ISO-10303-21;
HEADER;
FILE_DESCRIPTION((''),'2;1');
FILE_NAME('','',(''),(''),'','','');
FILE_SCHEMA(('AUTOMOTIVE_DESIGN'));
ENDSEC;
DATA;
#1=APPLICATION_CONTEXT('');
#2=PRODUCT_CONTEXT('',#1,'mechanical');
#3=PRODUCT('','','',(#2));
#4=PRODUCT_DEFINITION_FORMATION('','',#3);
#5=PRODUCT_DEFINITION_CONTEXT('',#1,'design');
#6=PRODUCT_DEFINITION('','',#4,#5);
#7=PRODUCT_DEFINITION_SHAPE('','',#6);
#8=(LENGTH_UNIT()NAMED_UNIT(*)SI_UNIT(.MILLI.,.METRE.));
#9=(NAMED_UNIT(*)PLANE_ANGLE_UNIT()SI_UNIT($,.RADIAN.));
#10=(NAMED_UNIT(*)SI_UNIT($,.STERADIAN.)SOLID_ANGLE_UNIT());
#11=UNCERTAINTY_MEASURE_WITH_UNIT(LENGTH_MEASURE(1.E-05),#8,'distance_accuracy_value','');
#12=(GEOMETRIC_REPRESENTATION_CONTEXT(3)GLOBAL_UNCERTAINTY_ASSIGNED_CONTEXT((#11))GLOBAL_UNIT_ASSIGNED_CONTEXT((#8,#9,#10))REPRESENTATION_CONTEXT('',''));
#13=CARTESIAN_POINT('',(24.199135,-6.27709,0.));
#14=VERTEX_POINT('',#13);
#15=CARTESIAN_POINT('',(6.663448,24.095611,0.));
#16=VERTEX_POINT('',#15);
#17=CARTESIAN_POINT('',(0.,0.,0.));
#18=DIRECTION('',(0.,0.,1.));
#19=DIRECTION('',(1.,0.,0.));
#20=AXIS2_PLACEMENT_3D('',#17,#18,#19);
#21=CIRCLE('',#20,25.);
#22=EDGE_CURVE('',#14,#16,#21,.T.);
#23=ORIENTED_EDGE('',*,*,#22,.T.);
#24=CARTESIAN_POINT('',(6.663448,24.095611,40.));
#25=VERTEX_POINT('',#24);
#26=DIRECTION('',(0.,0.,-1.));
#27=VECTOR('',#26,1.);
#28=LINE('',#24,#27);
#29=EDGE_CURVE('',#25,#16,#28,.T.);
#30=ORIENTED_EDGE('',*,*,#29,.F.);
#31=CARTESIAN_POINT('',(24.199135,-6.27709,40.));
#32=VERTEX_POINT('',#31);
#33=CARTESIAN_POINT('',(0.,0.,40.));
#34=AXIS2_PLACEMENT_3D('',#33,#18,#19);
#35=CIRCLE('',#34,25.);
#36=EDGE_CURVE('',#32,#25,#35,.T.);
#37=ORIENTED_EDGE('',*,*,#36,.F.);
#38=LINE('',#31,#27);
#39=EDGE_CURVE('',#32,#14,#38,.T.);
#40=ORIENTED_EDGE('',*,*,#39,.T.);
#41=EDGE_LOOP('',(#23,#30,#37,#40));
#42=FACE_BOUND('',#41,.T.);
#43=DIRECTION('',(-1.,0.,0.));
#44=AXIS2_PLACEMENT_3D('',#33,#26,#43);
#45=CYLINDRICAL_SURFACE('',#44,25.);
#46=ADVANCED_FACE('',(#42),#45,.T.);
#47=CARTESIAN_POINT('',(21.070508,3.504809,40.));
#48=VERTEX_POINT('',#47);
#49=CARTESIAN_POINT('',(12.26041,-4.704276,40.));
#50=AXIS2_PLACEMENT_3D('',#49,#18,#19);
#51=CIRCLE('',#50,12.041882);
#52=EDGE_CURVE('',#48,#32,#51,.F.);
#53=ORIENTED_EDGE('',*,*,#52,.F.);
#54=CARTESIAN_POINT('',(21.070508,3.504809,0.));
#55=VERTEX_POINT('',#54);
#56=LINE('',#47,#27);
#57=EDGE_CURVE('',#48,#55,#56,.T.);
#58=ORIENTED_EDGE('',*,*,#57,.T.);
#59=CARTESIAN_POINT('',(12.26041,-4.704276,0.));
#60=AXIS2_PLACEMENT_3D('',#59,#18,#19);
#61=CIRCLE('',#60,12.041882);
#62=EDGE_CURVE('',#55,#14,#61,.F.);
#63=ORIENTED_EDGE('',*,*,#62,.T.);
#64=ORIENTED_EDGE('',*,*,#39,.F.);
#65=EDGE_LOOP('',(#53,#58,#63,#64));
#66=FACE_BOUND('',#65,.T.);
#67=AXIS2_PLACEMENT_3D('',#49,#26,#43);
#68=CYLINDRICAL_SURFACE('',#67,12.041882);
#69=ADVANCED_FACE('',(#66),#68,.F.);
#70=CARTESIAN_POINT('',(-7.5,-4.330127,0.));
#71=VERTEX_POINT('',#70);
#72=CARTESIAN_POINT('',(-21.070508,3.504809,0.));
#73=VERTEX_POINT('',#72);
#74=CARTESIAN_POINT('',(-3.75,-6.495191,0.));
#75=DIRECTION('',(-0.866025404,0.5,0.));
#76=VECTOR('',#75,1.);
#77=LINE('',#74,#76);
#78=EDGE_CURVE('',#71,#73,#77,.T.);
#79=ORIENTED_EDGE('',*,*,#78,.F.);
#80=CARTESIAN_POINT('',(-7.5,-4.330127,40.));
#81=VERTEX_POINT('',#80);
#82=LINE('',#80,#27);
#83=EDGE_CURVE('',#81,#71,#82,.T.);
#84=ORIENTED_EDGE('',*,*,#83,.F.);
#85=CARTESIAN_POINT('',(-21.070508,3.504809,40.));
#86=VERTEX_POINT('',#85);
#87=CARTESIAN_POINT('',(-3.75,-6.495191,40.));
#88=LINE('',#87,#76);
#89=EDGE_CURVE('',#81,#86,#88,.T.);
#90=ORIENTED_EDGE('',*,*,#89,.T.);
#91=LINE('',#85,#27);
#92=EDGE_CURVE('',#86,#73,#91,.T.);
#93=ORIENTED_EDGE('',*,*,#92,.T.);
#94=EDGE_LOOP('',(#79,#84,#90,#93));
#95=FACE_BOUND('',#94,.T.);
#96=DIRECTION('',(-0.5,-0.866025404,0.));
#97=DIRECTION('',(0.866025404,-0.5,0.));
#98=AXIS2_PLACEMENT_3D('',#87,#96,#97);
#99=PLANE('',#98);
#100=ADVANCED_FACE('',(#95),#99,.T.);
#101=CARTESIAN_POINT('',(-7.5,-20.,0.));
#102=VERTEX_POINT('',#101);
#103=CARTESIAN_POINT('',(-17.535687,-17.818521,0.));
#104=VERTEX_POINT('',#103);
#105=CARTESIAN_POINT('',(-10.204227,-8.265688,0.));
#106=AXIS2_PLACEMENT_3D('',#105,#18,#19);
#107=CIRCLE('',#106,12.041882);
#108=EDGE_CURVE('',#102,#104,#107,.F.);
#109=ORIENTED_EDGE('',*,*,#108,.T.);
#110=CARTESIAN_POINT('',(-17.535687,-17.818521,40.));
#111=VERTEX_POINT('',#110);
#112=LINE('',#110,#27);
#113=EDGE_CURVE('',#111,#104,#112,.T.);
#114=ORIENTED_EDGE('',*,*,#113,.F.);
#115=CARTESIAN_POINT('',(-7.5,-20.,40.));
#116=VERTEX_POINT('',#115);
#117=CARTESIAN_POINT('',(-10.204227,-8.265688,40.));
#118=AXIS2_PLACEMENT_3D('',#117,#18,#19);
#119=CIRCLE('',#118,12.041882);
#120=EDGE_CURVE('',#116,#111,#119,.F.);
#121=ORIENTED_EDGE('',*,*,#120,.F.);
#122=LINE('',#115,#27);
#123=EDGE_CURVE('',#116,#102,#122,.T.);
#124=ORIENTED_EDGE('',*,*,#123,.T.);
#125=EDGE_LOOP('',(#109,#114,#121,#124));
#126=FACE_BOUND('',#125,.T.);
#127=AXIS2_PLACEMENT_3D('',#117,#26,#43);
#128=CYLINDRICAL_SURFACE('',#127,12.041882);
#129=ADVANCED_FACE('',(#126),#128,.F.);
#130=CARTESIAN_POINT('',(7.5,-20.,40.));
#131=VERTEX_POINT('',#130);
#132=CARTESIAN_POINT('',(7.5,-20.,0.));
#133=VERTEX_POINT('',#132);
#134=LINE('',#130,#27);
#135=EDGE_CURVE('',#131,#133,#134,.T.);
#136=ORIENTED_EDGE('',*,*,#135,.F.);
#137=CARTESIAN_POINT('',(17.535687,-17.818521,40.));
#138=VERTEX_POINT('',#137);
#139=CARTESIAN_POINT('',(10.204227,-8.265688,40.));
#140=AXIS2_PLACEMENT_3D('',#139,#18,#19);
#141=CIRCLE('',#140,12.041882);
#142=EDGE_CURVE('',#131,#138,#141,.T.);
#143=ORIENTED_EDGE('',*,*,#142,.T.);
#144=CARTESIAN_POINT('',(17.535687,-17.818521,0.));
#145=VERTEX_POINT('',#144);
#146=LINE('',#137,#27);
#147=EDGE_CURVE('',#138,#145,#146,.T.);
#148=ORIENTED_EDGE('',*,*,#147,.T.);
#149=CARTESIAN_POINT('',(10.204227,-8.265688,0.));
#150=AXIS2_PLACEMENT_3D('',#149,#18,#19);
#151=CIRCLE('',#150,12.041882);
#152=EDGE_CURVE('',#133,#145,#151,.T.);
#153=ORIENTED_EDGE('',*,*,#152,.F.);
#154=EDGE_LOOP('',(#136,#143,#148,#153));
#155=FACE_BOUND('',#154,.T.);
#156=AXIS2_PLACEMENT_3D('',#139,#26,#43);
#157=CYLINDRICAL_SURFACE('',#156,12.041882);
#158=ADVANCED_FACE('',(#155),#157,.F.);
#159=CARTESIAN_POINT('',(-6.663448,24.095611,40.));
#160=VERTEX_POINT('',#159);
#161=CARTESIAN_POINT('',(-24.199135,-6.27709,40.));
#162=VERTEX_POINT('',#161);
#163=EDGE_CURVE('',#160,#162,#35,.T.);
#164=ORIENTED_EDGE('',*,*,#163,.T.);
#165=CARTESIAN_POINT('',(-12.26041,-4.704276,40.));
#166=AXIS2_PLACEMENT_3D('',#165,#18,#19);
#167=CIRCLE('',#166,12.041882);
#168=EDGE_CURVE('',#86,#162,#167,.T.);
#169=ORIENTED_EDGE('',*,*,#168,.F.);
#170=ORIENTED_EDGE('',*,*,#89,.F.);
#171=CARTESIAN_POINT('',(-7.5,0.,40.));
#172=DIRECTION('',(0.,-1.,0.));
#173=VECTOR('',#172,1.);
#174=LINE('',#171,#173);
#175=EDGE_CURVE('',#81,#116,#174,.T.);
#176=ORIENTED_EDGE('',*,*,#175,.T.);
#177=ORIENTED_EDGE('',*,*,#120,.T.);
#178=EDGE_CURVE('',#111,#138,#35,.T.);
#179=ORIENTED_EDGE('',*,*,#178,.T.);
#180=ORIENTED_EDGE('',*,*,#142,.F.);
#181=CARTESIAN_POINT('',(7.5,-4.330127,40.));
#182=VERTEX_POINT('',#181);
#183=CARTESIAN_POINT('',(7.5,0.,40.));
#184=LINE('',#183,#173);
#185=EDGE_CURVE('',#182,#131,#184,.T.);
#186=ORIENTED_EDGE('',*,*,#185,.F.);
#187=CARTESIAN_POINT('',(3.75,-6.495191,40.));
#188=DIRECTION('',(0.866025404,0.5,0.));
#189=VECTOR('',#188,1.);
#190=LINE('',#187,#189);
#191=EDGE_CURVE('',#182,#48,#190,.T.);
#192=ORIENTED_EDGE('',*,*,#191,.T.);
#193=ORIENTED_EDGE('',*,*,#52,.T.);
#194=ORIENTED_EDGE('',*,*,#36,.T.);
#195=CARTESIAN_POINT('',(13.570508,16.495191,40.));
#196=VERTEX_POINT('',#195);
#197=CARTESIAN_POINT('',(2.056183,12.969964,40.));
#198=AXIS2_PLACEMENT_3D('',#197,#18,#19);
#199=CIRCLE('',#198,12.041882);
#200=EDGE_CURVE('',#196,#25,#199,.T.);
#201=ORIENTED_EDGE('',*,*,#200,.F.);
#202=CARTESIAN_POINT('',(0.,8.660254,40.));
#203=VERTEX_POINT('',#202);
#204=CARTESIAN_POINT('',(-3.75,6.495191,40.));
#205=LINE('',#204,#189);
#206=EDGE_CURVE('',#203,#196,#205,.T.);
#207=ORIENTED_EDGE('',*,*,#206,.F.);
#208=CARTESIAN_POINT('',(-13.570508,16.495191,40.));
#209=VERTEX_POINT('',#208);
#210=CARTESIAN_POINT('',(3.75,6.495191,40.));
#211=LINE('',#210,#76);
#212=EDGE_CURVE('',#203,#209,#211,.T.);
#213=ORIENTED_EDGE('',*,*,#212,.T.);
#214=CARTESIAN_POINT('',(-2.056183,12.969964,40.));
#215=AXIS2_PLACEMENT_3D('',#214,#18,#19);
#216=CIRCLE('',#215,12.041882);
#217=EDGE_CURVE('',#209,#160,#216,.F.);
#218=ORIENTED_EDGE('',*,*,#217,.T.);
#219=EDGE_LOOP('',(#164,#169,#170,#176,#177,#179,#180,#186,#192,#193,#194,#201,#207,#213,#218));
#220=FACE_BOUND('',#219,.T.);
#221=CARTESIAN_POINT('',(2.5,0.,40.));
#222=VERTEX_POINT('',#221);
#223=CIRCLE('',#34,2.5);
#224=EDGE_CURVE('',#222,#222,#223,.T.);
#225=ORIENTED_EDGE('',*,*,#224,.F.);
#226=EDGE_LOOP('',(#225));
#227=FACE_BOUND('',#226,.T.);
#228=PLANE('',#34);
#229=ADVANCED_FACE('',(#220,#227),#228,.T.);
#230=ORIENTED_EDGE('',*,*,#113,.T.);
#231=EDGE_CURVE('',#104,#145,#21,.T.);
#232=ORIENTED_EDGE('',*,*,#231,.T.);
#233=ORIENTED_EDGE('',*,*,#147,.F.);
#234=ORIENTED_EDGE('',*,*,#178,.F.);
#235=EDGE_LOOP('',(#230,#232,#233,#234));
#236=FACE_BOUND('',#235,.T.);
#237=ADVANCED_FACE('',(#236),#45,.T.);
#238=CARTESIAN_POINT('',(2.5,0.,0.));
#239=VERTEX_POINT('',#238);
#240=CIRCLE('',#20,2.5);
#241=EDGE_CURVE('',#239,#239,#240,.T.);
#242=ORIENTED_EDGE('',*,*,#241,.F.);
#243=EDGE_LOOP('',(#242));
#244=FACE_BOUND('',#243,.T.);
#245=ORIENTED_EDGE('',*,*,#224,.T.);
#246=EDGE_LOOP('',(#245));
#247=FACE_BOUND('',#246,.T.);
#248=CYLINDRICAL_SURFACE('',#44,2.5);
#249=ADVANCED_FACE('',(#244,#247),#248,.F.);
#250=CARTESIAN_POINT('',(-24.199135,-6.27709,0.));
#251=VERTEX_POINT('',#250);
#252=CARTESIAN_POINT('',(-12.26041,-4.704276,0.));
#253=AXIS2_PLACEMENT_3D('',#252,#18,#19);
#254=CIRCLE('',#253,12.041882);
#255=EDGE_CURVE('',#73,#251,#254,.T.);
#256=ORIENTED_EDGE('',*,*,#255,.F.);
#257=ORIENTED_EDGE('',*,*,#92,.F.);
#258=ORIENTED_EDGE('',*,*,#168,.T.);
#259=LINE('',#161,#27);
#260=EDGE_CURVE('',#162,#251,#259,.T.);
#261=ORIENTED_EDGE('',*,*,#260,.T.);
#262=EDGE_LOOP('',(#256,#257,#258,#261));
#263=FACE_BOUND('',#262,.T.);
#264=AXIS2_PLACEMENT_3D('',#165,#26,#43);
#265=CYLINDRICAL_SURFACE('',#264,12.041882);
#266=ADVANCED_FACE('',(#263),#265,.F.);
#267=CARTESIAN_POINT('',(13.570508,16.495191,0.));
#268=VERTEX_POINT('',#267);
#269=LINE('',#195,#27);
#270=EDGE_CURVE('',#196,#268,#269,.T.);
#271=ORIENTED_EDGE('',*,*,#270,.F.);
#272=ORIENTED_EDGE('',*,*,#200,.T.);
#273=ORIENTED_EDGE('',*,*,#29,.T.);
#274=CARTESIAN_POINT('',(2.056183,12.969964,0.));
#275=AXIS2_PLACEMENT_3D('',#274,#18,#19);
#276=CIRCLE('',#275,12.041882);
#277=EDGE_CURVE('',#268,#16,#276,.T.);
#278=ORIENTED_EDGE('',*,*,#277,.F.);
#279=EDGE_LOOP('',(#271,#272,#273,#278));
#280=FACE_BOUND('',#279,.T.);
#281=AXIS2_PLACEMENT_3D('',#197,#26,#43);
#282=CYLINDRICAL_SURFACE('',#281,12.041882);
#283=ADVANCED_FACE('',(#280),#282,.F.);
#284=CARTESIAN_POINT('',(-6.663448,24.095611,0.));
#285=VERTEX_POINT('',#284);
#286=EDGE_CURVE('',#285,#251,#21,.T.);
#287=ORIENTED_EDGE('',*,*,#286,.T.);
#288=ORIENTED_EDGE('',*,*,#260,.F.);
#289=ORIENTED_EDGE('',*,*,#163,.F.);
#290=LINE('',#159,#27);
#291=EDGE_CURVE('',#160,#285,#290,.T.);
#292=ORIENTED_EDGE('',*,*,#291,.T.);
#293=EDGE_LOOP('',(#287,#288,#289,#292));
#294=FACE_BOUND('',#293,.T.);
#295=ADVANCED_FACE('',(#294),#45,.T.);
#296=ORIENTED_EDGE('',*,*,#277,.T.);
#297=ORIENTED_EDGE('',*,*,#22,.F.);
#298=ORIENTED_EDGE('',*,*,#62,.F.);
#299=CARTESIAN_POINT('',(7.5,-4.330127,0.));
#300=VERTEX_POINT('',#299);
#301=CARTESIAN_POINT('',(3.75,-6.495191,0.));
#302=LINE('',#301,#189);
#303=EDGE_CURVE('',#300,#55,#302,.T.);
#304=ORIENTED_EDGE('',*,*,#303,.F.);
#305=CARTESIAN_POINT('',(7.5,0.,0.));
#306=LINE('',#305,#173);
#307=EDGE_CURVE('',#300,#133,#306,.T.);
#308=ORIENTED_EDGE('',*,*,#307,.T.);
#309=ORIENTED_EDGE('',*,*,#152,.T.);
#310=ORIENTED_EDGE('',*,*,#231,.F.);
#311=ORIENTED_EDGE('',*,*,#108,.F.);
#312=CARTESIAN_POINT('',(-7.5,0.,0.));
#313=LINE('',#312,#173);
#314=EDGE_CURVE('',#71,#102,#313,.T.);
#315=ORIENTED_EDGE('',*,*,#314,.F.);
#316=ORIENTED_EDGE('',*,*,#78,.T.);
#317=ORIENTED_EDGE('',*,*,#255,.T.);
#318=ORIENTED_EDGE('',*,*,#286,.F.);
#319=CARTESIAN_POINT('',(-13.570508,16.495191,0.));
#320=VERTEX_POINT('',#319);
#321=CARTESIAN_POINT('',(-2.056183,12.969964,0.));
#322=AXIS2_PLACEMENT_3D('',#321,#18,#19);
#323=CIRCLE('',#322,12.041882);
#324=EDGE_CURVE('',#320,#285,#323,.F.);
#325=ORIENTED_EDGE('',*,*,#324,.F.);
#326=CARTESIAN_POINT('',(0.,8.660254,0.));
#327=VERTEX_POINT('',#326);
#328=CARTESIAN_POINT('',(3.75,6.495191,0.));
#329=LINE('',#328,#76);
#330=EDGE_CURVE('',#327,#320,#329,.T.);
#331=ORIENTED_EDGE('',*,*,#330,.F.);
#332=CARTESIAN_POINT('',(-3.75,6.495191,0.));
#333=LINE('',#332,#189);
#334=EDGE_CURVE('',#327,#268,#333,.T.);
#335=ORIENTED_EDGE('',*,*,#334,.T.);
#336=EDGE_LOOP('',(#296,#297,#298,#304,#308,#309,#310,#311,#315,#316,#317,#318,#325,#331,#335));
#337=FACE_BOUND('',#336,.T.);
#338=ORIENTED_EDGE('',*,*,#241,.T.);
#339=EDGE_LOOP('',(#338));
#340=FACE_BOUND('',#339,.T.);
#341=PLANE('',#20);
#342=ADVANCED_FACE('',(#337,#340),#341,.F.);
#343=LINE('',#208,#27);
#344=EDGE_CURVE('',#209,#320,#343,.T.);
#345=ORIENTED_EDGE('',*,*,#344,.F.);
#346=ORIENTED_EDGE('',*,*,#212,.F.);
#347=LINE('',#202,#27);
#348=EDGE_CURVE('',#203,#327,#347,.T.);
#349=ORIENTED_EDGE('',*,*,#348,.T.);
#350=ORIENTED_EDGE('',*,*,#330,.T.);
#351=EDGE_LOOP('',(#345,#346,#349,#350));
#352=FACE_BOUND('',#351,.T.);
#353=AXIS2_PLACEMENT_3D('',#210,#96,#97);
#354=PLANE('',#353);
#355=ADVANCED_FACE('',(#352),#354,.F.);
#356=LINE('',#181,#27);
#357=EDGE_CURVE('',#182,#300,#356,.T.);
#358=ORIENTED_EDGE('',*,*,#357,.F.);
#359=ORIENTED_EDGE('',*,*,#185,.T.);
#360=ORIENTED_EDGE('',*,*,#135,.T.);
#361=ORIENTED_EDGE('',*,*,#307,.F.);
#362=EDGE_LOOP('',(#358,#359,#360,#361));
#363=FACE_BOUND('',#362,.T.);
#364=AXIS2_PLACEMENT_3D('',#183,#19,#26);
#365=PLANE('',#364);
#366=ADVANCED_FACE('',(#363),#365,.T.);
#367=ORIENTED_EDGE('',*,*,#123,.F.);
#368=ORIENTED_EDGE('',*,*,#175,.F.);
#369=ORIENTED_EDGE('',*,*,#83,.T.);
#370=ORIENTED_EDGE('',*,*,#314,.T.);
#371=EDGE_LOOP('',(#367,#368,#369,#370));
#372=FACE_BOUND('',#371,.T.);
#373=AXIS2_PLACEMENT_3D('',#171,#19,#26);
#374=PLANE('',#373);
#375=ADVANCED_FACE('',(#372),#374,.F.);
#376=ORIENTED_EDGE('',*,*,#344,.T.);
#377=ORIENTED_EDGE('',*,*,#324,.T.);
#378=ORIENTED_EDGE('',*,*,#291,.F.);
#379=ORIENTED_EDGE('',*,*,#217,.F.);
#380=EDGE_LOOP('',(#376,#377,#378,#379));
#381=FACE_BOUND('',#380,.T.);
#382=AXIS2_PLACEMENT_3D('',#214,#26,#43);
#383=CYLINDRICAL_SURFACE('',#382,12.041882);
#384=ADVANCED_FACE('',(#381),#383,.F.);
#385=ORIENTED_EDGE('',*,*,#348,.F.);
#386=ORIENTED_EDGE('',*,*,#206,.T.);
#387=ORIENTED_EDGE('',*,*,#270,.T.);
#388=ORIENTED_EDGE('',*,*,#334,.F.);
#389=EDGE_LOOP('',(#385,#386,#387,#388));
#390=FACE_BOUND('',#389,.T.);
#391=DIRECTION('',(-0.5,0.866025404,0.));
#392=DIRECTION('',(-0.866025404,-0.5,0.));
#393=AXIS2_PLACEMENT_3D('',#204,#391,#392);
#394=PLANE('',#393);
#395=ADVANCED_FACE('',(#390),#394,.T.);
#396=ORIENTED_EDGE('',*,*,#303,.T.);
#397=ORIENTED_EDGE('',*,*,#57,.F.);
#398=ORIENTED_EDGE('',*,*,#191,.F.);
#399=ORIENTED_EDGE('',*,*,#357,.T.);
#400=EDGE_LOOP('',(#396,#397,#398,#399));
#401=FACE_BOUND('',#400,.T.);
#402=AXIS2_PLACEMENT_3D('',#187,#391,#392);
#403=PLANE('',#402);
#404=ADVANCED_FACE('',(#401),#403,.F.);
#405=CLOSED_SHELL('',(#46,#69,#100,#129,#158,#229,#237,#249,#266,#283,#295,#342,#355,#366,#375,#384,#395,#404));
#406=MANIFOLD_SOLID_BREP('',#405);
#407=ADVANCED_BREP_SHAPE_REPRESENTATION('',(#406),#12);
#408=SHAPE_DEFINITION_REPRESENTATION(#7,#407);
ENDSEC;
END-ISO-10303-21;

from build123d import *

# Parameters (mm, degrees)
SKETCH1_R           = 2.5
BOSS_EXTRUDE1_DEPTH = 40


with BuildPart() as part:
    # Sketch1 → Boss-Extrude1 (new body)
    # profile 1 of 7: a face of its own
    with BuildSketch(Plane.XY):
        with BuildLine():
            Line((-7.5, -4.330127019), (-7.5, 0))
            ThreePointArc((-7.5, 0), (-6.495190528, 3.75), (-3.75, 6.495190528))
            Line((-3.75, 6.495190528), (0, 8.660254038))
            Line((0, 8.660254038), (-13.570508076, 16.495190528))
            ThreePointArc((-13.570508076, 16.495190528), (-10.967861495, 21.068660914), (-6.663448066, 24.095610801))
            ThreePointArc((-6.663448066, 24.095610801), (-21.650635095, 12.5), (-24.199135106, -6.277090099))
            ThreePointArc((-24.199135106, -6.277090099), (-23.729926323, -1.035883777), (-21.070508076, 3.504809472))
            Line((-21.070508076, 3.504809472), (-7.5, -4.330127019))
        make_face()
    # profile 2 of 7: a face of its own
    with BuildSketch(Plane.XY):
        with BuildLine():
            Line((13.570508076, 16.495190528), (0, 8.660254038))
            Line((0, 8.660254038), (3.75, 6.495190528))
            ThreePointArc((3.75, 6.495190528), (6.495190528, 3.75), (7.5, 0))
            Line((7.5, 0), (7.5, -4.330127019))
            Line((7.5, -4.330127019), (21.070508076, 3.504809472))
            ThreePointArc((21.070508076, 3.504809472), (23.729926323, -1.035883777), (24.199135106, -6.277090099))
            ThreePointArc((24.199135106, -6.277090099), (21.650635095, 12.5), (6.663448066, 24.095610801))
            ThreePointArc((6.663448066, 24.095610801), (10.967861495, 21.068660914), (13.570508076, 16.495190528))
        make_face()
    # profile 3 of 7: a face of its own
    with BuildSketch(Plane.XY):
        with BuildLine():
            Line((-3.75, -6.495190528), (-7.5, -4.330127019))
            Line((-7.5, -4.330127019), (-7.5, -20))
            ThreePointArc((-7.5, -20), (-12.762064828, -20.032777137), (-17.53568704, -17.818520702))
            ThreePointArc((-17.53568704, -17.818520702), (0, -25), (17.53568704, -17.818520702))
            ThreePointArc((17.53568704, -17.818520702), (12.762064828, -20.032777137), (7.5, -20))
            Line((7.5, -20), (7.5, -4.330127019))
            Line((7.5, -4.330127019), (3.75, -6.495190528))
            ThreePointArc((3.75, -6.495190528), (0, -7.5), (-3.75, -6.495190528))
        make_face()
    # profile 4 of 7: a face of its own
    with BuildSketch(Plane.XY):
        with BuildLine():
            Line((0, 8.660254038), (-3.75, 6.495190528))
            ThreePointArc((-3.75, 6.495190528), (0, 7.5), (3.75, 6.495190528))
            Line((3.75, 6.495190528), (0, 8.660254038))
        make_face()
    # profile 5 of 7: a face of its own
    with BuildSketch(Plane.XY):
        with BuildLine():
            ThreePointArc((-3.75, -6.495190528), (-6.495190528, -3.75), (-7.5, 0))
            Line((-7.5, 0), (-7.5, -4.330127019))
            Line((-7.5, -4.330127019), (-3.75, -6.495190528))
        make_face()
    # profile 6 of 7: a face of its own
    with BuildSketch(Plane.XY):
        with BuildLine():
            ThreePointArc((7.5, 0), (6.495190528, -3.75), (3.75, -6.495190528))
            Line((3.75, -6.495190528), (7.5, -4.330127019))
            Line((7.5, -4.330127019), (7.5, 0))
        make_face()
    # profile 7 of 7: a face of its own
    with BuildSketch(Plane.XY):
        with BuildLine():
            ThreePointArc((-3.75, 6.495190528), (-6.495190528, 3.75), (-7.5, 0))
            ThreePointArc((-7.5, 0), (-6.495190528, -3.75), (-3.75, -6.495190528))
            ThreePointArc((-3.75, -6.495190528), (0, -7.5), (3.75, -6.495190528))
            ThreePointArc((3.75, -6.495190528), (6.495190528, -3.75), (7.5, 0))
            ThreePointArc((7.5, 0), (6.495190528, 3.75), (3.75, 6.495190528))
            ThreePointArc((3.75, 6.495190528), (0, 7.5), (-3.75, 6.495190528))
        make_face()
        Circle(SKETCH1_R, mode=Mode.SUBTRACT)
    extrude(amount=BOSS_EXTRUDE1_DEPTH)


solid = part.part
